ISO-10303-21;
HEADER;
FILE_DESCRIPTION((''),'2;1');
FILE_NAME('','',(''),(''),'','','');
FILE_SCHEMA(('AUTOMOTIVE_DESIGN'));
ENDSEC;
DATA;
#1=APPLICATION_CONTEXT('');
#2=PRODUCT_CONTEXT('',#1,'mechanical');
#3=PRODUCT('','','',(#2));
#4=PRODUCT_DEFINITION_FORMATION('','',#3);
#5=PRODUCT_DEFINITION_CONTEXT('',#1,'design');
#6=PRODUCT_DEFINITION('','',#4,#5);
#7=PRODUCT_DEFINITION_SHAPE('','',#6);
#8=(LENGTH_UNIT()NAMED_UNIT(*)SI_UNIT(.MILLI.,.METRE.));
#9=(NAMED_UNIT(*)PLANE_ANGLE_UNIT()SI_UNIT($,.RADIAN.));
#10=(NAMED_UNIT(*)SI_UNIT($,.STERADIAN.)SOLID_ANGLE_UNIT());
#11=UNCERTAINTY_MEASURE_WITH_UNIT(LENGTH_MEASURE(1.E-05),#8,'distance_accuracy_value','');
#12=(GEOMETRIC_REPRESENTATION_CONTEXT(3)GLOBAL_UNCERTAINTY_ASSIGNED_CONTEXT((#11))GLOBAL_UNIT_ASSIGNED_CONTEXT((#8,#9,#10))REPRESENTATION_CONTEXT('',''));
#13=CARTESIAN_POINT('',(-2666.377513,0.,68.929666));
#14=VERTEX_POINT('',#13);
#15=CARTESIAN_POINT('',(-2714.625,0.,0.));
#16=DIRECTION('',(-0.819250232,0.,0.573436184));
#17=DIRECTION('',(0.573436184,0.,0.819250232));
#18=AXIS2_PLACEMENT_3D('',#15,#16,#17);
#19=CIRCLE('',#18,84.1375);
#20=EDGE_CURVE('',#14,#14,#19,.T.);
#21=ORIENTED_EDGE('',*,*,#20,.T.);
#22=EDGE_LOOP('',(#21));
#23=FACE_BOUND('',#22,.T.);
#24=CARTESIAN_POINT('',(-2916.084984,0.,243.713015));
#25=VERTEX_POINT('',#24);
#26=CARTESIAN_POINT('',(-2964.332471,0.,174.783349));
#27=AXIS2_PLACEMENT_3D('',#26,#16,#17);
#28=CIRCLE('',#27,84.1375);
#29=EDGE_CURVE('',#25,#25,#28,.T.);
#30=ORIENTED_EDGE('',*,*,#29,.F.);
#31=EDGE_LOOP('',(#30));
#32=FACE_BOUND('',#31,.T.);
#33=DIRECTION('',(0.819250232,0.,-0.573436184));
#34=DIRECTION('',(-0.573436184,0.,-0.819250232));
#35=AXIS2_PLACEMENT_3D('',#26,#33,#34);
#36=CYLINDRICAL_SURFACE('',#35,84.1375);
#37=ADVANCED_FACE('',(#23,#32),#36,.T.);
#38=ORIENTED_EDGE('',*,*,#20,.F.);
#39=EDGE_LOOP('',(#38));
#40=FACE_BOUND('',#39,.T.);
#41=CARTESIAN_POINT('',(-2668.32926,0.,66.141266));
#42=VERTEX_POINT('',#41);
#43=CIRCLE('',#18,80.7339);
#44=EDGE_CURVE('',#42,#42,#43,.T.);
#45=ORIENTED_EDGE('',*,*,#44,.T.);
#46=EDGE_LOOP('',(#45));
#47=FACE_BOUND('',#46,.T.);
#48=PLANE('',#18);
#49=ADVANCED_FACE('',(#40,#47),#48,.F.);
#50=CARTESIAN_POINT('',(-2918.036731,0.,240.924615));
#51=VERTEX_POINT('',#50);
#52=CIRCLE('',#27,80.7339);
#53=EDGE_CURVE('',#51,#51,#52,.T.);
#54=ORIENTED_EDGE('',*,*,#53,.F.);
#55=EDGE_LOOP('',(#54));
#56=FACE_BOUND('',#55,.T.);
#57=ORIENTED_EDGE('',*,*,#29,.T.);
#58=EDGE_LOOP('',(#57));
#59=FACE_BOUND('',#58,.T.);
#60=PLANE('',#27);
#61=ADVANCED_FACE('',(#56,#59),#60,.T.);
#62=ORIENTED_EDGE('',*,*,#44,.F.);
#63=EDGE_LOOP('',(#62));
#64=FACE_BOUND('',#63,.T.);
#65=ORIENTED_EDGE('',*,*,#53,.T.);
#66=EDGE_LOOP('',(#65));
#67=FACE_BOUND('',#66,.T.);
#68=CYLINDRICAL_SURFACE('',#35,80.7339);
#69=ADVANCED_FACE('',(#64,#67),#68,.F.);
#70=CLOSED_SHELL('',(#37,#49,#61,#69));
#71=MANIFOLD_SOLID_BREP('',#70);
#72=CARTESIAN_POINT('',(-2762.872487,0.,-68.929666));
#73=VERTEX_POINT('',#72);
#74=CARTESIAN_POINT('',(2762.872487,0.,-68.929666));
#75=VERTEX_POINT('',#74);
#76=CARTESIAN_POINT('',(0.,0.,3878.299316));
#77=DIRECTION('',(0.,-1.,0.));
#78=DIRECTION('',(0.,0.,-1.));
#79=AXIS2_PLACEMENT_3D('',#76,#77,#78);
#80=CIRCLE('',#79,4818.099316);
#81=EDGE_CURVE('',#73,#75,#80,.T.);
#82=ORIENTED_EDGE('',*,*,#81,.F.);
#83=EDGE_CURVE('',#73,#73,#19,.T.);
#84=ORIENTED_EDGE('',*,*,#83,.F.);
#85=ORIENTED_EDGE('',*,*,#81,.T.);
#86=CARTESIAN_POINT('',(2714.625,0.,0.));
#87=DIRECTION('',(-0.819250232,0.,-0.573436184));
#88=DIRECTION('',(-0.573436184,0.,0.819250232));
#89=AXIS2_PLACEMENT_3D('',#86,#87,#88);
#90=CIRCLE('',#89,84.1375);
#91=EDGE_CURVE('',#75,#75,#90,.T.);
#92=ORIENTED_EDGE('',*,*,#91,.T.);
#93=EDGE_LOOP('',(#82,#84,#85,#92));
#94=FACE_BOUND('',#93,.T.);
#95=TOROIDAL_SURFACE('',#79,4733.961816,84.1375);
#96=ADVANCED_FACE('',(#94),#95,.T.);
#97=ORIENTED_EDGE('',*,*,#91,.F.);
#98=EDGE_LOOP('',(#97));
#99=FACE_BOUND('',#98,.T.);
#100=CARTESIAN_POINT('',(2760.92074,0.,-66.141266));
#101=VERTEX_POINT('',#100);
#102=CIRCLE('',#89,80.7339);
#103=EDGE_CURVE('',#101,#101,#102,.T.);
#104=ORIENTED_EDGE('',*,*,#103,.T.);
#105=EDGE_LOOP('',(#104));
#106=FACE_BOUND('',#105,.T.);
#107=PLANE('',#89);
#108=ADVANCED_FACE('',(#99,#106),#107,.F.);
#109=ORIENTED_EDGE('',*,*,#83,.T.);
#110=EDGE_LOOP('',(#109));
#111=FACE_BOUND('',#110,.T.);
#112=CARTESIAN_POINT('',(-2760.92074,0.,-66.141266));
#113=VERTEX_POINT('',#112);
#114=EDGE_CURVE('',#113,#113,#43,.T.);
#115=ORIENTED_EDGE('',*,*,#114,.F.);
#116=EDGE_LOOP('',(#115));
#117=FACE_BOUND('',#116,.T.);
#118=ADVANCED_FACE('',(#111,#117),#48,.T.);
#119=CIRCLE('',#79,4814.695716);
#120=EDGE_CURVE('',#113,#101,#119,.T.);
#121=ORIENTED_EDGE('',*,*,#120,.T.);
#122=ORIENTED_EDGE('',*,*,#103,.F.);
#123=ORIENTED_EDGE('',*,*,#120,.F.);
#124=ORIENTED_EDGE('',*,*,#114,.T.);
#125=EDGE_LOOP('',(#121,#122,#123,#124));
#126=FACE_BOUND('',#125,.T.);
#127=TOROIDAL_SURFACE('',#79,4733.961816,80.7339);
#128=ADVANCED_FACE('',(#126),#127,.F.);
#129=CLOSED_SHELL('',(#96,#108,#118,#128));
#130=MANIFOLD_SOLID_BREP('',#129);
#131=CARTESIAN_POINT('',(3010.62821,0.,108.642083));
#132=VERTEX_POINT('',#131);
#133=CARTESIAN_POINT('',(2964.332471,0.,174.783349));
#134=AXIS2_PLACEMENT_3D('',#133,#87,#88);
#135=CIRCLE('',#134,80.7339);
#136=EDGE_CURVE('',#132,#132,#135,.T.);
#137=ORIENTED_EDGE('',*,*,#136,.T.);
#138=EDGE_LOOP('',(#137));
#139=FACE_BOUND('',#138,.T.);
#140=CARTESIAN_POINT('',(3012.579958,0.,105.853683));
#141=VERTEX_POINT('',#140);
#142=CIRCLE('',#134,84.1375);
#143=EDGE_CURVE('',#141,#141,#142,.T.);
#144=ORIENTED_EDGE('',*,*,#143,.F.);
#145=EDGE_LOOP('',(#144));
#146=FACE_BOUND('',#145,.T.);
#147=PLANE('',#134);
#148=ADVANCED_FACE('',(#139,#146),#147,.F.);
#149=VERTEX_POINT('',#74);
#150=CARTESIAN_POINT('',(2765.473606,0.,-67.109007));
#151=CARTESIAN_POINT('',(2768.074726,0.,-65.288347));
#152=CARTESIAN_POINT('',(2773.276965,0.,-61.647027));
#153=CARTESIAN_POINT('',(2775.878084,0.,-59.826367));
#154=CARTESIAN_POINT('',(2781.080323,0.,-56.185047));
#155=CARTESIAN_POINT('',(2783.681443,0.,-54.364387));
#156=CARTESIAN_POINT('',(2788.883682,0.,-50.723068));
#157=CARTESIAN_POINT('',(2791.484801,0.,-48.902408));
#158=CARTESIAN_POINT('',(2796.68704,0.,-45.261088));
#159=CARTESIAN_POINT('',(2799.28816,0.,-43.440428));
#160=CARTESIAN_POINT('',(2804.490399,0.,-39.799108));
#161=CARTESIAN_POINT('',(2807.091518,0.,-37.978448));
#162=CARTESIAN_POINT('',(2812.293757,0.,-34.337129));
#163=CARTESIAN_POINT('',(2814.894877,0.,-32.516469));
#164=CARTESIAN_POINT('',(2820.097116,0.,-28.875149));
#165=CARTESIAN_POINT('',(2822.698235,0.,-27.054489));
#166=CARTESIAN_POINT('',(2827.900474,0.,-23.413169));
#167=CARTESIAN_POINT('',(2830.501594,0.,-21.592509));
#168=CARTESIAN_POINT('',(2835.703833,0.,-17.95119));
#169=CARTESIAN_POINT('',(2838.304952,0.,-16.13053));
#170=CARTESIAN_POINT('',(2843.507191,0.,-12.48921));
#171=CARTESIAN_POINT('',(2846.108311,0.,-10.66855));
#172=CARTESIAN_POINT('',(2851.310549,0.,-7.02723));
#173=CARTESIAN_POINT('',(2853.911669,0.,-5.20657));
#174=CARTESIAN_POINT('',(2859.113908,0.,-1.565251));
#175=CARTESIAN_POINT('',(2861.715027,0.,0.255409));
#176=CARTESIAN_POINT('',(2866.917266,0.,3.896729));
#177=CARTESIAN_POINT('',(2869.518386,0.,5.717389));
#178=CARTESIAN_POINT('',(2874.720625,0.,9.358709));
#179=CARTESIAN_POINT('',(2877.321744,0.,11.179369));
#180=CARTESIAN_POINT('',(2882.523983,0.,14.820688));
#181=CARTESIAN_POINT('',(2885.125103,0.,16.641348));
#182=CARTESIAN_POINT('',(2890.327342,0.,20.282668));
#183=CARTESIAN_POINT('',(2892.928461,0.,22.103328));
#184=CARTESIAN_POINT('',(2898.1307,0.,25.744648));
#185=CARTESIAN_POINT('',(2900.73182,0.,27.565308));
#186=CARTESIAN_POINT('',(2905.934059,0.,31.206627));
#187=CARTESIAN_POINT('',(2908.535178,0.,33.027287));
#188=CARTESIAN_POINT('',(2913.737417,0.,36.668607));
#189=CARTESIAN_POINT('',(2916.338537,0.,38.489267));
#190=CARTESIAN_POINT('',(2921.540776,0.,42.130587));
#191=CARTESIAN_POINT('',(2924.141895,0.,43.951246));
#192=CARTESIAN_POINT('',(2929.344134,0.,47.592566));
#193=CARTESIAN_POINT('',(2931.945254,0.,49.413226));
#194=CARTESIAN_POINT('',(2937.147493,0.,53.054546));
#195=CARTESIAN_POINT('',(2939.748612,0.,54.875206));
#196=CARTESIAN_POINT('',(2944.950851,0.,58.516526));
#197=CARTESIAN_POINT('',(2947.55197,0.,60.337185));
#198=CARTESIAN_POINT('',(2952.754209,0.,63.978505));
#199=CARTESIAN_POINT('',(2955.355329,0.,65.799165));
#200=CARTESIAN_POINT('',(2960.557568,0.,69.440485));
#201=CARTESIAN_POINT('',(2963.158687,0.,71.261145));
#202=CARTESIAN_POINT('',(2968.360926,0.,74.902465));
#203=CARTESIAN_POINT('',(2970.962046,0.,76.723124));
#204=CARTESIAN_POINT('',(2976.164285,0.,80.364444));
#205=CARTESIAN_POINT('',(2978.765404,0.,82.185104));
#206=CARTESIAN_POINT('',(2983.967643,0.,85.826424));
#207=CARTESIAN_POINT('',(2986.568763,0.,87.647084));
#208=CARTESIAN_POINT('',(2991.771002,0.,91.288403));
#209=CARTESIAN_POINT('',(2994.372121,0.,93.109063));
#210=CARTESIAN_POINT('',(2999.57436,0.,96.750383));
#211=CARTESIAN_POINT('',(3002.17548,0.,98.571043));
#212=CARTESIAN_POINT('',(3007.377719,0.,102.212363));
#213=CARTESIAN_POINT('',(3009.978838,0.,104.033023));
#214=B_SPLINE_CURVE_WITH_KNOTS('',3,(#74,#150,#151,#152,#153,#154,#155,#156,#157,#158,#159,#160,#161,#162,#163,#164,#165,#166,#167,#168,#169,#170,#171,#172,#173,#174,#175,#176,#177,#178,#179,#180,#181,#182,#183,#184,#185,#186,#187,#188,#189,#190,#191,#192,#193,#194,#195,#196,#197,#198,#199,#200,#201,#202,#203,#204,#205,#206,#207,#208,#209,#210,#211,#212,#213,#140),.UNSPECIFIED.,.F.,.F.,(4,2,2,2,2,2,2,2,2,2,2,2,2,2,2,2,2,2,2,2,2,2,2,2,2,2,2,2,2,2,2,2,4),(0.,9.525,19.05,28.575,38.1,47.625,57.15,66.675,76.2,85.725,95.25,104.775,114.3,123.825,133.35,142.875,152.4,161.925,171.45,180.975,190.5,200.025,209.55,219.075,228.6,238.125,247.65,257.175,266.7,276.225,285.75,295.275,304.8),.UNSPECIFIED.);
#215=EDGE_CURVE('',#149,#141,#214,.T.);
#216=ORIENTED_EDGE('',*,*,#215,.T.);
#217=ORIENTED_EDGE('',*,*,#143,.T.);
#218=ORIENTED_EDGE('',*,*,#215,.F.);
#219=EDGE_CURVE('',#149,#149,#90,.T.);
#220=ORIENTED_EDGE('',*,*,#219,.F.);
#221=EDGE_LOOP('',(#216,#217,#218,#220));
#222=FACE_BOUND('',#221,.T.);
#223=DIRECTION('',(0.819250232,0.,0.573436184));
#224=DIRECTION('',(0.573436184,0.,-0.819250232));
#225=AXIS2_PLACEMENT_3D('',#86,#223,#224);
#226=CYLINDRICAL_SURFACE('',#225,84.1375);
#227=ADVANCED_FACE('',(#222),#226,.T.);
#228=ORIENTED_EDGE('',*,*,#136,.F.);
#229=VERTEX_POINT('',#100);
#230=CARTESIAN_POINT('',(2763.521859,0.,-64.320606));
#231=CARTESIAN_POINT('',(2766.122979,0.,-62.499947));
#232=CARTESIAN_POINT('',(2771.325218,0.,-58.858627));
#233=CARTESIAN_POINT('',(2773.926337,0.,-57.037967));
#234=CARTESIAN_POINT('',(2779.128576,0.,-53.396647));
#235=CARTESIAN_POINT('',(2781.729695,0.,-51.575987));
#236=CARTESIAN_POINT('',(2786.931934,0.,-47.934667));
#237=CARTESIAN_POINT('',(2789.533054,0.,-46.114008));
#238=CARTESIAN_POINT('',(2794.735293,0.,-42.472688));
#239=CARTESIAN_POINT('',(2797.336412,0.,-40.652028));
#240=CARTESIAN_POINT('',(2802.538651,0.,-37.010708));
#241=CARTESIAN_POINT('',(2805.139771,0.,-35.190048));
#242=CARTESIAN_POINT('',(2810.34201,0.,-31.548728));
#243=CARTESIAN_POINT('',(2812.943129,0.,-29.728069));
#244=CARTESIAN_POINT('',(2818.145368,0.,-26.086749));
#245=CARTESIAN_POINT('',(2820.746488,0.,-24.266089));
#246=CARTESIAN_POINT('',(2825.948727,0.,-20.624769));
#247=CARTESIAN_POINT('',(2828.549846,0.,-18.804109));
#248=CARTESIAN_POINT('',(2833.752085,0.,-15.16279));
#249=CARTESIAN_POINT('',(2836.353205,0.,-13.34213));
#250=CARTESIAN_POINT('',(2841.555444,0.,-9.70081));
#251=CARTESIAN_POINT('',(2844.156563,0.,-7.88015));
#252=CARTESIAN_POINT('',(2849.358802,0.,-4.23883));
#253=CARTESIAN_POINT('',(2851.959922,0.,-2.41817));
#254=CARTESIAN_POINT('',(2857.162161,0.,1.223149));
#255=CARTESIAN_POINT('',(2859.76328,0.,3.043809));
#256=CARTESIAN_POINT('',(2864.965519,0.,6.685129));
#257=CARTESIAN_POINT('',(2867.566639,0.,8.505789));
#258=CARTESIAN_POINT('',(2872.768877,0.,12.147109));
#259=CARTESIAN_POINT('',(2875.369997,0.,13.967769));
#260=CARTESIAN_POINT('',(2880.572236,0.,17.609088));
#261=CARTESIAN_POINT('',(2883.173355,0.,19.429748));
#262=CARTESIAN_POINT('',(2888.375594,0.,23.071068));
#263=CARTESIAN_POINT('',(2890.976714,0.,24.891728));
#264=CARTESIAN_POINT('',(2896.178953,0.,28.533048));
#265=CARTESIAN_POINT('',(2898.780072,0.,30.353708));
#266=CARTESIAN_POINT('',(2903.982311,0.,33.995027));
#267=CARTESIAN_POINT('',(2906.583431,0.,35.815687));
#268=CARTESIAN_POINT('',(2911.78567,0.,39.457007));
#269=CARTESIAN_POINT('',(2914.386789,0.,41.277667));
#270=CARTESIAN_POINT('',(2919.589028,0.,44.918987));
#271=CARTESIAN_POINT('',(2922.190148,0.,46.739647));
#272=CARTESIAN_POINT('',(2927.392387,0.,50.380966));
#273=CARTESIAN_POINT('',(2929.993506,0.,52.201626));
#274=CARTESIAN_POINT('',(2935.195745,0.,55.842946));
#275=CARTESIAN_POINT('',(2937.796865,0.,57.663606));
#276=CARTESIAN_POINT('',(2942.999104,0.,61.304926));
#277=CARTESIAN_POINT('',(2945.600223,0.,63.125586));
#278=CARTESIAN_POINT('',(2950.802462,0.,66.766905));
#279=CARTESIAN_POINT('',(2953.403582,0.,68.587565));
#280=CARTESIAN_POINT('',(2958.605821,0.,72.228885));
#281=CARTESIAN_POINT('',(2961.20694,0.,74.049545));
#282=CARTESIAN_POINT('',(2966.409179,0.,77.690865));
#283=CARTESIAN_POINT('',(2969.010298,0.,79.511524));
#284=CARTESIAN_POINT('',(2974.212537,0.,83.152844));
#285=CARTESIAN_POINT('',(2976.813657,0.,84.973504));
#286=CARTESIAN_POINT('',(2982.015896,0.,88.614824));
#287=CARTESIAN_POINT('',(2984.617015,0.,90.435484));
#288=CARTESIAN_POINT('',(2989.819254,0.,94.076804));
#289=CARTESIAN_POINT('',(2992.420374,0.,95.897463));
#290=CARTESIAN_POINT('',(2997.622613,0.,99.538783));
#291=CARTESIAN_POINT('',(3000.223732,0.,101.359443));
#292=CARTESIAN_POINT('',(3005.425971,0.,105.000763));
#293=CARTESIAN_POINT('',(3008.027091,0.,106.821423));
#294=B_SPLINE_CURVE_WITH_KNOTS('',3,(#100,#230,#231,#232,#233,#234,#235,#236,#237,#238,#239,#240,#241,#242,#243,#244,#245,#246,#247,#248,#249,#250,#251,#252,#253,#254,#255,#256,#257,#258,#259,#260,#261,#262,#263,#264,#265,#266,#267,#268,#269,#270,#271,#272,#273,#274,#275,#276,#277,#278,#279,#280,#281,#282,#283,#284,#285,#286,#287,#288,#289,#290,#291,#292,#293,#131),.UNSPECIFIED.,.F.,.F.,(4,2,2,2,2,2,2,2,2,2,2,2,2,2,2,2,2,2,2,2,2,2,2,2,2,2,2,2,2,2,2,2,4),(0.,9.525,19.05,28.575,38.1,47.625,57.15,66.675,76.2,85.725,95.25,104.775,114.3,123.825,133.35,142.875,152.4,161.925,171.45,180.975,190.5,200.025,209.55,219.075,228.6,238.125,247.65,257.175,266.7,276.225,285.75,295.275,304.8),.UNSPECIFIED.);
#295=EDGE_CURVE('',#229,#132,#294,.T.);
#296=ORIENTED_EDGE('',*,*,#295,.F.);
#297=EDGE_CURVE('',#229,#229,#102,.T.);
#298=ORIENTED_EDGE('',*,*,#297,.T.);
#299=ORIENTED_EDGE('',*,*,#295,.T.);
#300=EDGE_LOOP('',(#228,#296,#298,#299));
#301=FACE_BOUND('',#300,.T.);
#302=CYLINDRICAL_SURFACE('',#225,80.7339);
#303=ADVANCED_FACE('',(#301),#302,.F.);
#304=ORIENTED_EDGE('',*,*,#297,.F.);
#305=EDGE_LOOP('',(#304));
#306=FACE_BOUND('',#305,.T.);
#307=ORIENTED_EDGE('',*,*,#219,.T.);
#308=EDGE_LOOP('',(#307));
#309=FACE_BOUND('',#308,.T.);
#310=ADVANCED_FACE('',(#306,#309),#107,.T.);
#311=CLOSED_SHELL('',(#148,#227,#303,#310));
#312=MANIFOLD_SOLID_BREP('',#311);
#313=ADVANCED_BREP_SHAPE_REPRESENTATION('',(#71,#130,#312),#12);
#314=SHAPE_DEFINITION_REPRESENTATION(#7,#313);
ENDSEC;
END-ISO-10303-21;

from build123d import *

# Parameters (mm, degrees)
SKETCH12_R                 = 84.1375
SKETCH12_R_2               = 80.7339
STRUCTURAL_MEMBER1_DEPTH   = 304.8
SKETCH12_ON_SEGMENT_2_R    = 84.1375
SKETCH12_ON_SEGMENT_2_R_2  = 80.7339
STRUCTURAL_MEMBER1_2_ANGLE = 69.980381242
SKETCH12_ON_SEGMENT_3_R    = 84.1375
SKETCH12_ON_SEGMENT_3_R_2  = 80.7339
STRUCTURAL_MEMBER1_3_DEPTH = 304.8


with BuildPart() as part:
    # Sketch12 → Structural Member1 (new body)
    with BuildSketch(Plane(origin=(2714.625, 0, 0), x_dir=(-0.5734361842344712, 0, 0.8192502319869124), z_dir=(-0.8192502319869123, 0, -0.5734361842344711))):
        Circle(SKETCH12_R)
        Circle(SKETCH12_R_2, mode=Mode.SUBTRACT)
    extrude(amount=-STRUCTURAL_MEMBER1_DEPTH)


with BuildPart() as body_2:
    # Sketch12 on segment 2 (carried to the start of arc 2) → Structural Member1 2 (revolve)
    with BuildSketch(Plane(origin=(2714.625, 0, 0), x_dir=(0.573436184, 0, -0.819250232), z_dir=(0.819250232, 0, 0.573436184))):
        Circle(SKETCH12_ON_SEGMENT_2_R)
        Circle(SKETCH12_ON_SEGMENT_2_R_2, mode=Mode.SUBTRACT)
    revolve(axis=Axis((0, 0, 3878.299315863), (0, 1, 0)), revolution_arc=STRUCTURAL_MEMBER1_2_ANGLE)


with BuildPart() as body_3:
    # Sketch12 on segment 3 (carried to segment 3) → Structural Member1 3 (new body)
    with BuildSketch(Plane(origin=(-2964.33247071, 0, 174.783348955), x_dir=(-0.573436184, 0, -0.819250232), z_dir=(0.819250232, 0, -0.573436184))):
        Circle(SKETCH12_ON_SEGMENT_3_R)
        Circle(SKETCH12_ON_SEGMENT_3_R_2, mode=Mode.SUBTRACT)
    extrude(amount=STRUCTURAL_MEMBER1_3_DEPTH)


solid = Compound([part.part, body_2.part, body_3.part])
